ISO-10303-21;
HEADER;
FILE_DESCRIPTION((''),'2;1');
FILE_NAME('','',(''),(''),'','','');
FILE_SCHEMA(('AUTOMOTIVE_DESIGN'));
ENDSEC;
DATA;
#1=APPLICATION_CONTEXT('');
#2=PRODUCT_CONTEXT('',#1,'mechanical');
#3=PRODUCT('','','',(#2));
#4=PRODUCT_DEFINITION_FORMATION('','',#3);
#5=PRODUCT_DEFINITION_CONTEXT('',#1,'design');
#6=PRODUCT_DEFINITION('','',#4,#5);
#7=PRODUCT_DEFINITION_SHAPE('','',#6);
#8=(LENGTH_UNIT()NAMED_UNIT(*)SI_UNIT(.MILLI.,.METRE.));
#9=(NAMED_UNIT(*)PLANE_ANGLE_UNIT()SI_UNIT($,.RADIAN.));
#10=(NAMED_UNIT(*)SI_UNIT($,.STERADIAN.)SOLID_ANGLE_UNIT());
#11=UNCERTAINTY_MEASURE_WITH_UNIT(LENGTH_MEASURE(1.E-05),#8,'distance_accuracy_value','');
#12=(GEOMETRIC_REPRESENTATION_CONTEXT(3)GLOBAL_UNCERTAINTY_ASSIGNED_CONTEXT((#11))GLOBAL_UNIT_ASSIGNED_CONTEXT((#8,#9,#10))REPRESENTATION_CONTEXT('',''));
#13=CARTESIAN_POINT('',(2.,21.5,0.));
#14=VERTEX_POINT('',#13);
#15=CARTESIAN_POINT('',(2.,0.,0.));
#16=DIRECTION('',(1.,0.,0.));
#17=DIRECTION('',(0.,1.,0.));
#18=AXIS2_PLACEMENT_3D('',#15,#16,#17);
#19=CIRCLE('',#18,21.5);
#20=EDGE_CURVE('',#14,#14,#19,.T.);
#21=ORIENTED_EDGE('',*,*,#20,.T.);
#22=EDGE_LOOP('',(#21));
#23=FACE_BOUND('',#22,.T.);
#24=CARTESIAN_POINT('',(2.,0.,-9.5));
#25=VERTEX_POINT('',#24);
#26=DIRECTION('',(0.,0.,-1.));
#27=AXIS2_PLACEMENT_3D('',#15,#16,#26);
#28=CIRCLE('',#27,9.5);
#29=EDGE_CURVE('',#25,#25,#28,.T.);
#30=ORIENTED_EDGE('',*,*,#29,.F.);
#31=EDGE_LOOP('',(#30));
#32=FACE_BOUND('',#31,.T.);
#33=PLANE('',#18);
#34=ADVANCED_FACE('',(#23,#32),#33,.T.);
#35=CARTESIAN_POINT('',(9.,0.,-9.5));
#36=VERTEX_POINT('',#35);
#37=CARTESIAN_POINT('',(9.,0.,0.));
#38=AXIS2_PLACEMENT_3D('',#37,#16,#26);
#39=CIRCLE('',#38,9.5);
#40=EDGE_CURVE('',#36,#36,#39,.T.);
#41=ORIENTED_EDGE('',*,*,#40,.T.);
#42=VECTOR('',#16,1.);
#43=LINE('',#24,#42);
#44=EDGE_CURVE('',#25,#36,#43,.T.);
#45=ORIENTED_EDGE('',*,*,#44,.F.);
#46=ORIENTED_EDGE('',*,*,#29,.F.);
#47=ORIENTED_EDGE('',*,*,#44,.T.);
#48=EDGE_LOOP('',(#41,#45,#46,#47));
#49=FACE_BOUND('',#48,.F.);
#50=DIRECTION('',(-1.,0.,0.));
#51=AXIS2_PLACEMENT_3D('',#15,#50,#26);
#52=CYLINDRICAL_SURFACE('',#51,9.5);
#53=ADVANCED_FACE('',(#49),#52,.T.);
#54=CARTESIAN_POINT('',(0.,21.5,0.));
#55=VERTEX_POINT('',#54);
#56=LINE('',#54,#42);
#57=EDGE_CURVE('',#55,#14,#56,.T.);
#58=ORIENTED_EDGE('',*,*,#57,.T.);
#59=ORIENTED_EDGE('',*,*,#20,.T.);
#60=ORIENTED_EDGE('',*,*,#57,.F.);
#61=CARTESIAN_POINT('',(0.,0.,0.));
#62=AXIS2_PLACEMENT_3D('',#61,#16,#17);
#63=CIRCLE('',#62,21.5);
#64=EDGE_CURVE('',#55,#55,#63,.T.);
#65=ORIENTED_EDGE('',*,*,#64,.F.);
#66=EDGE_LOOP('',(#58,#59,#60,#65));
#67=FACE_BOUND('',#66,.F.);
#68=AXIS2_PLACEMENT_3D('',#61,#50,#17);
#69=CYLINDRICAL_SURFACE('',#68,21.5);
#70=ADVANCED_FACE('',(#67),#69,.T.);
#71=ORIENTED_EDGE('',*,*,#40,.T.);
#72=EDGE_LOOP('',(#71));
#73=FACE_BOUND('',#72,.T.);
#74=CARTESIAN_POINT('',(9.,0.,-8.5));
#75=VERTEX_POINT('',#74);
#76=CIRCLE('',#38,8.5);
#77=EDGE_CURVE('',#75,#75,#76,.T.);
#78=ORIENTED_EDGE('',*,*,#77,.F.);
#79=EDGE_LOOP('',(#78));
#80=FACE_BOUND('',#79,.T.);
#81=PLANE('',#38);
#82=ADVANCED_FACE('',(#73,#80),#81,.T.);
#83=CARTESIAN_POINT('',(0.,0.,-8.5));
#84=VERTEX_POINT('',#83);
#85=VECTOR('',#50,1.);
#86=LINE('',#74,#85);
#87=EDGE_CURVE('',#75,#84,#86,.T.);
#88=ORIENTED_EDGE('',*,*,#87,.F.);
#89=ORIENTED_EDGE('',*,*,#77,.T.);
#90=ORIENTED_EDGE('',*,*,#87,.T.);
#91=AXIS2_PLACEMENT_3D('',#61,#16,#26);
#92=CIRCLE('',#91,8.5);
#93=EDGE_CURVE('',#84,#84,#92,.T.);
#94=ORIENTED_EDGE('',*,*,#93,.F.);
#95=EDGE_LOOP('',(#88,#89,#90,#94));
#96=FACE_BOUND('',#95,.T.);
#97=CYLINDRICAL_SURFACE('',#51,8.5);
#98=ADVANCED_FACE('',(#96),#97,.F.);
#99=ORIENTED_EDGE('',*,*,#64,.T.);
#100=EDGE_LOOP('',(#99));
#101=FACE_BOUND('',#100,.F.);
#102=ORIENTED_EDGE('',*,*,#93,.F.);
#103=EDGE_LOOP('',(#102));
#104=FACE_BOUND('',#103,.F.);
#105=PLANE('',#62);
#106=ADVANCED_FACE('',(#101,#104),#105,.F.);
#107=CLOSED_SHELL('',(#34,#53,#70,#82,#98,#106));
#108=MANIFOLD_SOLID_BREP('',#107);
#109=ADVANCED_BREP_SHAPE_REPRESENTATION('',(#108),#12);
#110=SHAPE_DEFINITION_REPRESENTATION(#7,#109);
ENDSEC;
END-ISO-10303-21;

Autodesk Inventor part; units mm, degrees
ref_plane "YZ Plane" through (0, 0, 0) normal (1, 0, 0) x (0, 1, 0)
ref_plane "XZ Plane" through (0, 0, 0) normal (0, 1, 0) x (-1, 0, 0)
ref_plane "XY Plane" through (0, 0, 0) normal (0, 0, 1) x (1, 0, 0)
sketch "Sketch2" plane through (0, 0, 0) normal (1, 0, 0) x (0, 1, 0)
  circle A0 centre (0, 0) radius 21.5
  dimension "d3" = 43
extrude "Extrusion1" add sketch "Sketch2" along normal blind 2
sketch "Sketch3" plane through (2, 0, 0) normal (1, 0, 0) x (0, 0, -1)
  circle A0 centre (0, 0) radius 21.5 projected
  circle A1 centre (0, 0) radius 8.5
  dimension "d6" = 17
extrude "Extrusion2" cut sketch "Sketch3" against normal blind 2 contours A1
sketch "Sketch4" plane through (2, 0, 0) normal (1, 0, 0) x (0, 0, -1)
  circle A0 centre (0, 0) radius 8.5 projected
  circle A1 centre (0, 0) radius 21.5 projected
  circle A2 centre (0, 0) radius 9.5
  dimension "d9" = 19
extrude "Extrusion3" add sketch "Sketch4" along normal blind 7 contours A2
properties part number "holeCoverP2"
